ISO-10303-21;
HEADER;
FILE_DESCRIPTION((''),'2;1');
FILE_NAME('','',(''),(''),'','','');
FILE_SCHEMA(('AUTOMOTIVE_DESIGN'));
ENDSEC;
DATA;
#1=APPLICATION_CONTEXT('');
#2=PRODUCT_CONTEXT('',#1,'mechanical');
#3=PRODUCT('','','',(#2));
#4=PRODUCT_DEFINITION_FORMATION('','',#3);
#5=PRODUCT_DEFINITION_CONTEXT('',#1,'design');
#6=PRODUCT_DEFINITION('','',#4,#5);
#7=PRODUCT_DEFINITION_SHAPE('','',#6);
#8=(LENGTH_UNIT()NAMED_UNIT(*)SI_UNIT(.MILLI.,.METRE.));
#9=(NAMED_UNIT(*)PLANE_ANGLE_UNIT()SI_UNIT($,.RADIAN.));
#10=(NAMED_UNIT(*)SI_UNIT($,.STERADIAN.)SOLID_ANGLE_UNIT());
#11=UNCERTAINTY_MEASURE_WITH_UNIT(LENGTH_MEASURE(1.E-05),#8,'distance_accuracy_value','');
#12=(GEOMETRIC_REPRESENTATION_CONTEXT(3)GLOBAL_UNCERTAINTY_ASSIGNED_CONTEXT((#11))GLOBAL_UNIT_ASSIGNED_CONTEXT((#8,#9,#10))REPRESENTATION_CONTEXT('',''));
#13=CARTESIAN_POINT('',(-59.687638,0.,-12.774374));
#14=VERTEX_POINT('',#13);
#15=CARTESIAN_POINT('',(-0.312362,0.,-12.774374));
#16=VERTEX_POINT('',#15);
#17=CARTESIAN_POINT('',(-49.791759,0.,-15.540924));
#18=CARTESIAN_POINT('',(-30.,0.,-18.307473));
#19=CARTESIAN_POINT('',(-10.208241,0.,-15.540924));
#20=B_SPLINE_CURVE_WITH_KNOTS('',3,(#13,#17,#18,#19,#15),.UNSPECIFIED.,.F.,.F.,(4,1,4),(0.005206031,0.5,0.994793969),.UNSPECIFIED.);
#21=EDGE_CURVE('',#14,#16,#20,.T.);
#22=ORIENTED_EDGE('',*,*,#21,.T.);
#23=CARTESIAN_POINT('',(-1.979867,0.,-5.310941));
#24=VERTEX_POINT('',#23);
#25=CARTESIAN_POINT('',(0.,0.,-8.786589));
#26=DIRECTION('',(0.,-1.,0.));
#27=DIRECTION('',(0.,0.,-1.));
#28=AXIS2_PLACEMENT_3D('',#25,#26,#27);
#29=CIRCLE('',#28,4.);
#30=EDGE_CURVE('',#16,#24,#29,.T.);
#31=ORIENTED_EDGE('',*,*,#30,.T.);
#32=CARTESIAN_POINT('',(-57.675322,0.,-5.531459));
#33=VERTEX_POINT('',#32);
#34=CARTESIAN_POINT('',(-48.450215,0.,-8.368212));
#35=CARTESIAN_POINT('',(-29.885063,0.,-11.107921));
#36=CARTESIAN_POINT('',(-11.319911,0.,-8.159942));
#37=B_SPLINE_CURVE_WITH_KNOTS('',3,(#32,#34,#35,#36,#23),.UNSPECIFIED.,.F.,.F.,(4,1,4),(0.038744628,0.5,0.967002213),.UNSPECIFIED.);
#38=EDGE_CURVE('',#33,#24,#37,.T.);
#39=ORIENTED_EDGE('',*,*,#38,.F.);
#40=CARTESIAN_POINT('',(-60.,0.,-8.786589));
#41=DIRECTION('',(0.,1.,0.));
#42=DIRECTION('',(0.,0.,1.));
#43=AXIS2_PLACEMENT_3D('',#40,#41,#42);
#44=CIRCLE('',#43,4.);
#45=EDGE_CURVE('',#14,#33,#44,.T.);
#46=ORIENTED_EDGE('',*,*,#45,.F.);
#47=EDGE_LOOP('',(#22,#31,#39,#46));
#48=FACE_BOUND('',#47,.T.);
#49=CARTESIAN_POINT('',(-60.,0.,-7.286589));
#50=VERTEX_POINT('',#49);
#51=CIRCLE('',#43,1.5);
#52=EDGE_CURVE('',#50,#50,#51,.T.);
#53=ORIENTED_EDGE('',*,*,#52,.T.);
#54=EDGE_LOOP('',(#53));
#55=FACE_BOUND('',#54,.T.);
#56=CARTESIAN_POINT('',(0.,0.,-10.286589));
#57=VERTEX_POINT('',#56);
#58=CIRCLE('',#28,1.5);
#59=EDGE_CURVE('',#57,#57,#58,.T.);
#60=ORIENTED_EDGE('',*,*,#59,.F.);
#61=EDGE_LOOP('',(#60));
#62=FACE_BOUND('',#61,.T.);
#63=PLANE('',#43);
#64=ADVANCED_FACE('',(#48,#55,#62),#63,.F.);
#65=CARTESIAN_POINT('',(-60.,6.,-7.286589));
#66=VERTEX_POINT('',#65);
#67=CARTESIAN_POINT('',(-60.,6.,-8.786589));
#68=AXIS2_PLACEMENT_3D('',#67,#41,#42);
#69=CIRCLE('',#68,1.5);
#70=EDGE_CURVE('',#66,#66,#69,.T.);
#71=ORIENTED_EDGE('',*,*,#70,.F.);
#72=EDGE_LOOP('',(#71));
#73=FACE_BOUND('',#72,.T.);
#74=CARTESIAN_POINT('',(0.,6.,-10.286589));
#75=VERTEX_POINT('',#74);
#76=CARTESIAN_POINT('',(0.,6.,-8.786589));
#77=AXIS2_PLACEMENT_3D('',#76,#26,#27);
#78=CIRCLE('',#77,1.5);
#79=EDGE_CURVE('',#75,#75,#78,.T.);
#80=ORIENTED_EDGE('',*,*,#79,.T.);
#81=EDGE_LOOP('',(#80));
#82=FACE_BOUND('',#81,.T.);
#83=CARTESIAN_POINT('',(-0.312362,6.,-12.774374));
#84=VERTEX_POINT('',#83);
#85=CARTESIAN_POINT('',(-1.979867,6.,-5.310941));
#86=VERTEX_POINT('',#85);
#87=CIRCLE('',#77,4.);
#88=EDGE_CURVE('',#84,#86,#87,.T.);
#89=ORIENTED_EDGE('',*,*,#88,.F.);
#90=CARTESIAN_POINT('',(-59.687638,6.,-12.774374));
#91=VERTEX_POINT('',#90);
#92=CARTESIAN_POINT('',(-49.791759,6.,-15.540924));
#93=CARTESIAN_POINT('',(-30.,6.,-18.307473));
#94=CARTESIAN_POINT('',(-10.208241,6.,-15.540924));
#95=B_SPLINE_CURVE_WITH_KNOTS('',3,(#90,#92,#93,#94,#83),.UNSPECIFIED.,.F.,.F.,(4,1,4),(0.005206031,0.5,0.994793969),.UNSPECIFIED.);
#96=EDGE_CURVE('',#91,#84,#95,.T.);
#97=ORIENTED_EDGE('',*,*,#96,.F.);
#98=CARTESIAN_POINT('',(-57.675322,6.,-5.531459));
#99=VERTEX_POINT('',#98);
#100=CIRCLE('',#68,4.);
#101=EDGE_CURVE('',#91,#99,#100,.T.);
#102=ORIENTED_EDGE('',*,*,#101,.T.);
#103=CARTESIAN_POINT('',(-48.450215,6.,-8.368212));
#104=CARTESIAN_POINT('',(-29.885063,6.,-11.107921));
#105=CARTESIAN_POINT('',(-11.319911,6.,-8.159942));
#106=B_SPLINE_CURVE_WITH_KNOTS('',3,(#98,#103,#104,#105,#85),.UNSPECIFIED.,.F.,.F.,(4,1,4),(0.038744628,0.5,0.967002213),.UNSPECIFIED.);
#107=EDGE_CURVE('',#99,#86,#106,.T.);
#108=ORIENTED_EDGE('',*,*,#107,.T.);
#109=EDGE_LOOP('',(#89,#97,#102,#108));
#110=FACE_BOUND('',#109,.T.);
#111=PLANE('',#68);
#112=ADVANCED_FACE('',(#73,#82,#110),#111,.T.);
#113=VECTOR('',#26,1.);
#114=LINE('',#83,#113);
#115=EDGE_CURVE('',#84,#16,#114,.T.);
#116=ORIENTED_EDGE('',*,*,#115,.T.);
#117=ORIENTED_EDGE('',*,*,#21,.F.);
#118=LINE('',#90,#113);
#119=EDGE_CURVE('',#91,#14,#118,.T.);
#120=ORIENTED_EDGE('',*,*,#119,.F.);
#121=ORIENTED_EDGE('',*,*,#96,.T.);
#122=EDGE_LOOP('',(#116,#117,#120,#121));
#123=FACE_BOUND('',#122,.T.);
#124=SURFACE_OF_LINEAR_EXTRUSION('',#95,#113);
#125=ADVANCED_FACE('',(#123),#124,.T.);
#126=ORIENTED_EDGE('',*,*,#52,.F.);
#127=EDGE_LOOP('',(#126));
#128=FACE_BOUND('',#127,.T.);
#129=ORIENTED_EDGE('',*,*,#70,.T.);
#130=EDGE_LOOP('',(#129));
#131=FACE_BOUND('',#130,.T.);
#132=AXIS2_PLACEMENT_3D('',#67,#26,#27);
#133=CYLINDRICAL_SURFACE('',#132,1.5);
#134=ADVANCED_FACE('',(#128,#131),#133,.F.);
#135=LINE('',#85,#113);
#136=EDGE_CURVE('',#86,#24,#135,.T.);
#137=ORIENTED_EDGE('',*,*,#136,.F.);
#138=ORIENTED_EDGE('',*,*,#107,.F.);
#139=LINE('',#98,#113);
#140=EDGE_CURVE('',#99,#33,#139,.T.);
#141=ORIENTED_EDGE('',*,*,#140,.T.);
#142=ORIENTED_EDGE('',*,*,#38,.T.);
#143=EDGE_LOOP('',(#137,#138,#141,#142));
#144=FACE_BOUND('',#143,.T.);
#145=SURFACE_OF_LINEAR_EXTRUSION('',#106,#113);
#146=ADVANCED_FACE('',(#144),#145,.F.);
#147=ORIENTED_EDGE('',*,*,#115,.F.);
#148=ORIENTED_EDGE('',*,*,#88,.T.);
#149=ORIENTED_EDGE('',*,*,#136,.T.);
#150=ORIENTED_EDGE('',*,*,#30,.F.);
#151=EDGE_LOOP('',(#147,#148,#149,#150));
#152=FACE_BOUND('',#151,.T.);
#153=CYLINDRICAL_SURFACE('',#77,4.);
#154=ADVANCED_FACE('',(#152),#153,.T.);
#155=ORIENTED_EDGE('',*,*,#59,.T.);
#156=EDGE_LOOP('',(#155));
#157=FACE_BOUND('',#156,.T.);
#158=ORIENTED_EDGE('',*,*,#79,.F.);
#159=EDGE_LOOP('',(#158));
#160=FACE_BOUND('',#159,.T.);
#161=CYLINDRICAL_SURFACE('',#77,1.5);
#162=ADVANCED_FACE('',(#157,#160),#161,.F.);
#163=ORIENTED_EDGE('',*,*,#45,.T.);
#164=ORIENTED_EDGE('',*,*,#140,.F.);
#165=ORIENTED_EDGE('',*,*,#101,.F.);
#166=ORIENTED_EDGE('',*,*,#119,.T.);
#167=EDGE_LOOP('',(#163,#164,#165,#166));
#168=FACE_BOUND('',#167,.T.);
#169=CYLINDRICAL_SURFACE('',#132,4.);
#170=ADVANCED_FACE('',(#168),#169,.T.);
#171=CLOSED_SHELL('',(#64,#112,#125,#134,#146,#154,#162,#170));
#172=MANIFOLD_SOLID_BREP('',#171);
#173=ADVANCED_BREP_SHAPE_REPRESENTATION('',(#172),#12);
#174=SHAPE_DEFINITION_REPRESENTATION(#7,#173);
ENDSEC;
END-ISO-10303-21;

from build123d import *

# Parameters (mm, degrees)
SKETCH1_R           = 1.5
BOSS_EXTRUDE1_DEPTH = 6


with BuildPart() as part:
    # Sketch1 → Boss-Extrude1 (new body)
    with BuildSketch(Plane(origin=(0, 0, 0), x_dir=(1, 0, 0), z_dir=(0, 1, 0))):
        with BuildLine():
            ThreePointArc((-59.687638113, 12.774374027), (-63.854017455, 7.715818425), (-57.675322321, 5.531458557))
            add(Edge.make_bspline(
                [(-57.675322321, 5.531458557), (-48.450214881, 8.368212133), (-29.885063183, 11.107920581), (-11.319911486, 8.159941585), (-1.979867229, 5.310941391)],
                knots=[0.038744628, 0.038744628, 0.038744628, 0.038744628, 0.5, 0.967002213, 0.967002213, 0.967002213, 0.967002213], degree=3))
            ThreePointArc((-1.979867229, 5.310941391), (3.903752715, 7.914399297), (-0.312361887, 12.774374027))
            add(Edge.make_bspline(
                [(-59.687638113, 12.774374027), (-49.791758742, 15.54092351), (-30, 18.307472992), (-10.208241258, 15.54092351), (-0.312361887, 12.774374027)],
                knots=[0.005206031, 0.005206031, 0.005206031, 0.005206031, 0.5, 0.994793969, 0.994793969, 0.994793969, 0.994793969], degree=3))
        make_face()
        with Locations((-60, 8.786588921)):
            Circle(SKETCH1_R, mode=Mode.SUBTRACT)
        with Locations((0, 8.786588921)):
            Circle(SKETCH1_R, mode=Mode.SUBTRACT)
    extrude(amount=BOSS_EXTRUDE1_DEPTH)


solid = part.part
